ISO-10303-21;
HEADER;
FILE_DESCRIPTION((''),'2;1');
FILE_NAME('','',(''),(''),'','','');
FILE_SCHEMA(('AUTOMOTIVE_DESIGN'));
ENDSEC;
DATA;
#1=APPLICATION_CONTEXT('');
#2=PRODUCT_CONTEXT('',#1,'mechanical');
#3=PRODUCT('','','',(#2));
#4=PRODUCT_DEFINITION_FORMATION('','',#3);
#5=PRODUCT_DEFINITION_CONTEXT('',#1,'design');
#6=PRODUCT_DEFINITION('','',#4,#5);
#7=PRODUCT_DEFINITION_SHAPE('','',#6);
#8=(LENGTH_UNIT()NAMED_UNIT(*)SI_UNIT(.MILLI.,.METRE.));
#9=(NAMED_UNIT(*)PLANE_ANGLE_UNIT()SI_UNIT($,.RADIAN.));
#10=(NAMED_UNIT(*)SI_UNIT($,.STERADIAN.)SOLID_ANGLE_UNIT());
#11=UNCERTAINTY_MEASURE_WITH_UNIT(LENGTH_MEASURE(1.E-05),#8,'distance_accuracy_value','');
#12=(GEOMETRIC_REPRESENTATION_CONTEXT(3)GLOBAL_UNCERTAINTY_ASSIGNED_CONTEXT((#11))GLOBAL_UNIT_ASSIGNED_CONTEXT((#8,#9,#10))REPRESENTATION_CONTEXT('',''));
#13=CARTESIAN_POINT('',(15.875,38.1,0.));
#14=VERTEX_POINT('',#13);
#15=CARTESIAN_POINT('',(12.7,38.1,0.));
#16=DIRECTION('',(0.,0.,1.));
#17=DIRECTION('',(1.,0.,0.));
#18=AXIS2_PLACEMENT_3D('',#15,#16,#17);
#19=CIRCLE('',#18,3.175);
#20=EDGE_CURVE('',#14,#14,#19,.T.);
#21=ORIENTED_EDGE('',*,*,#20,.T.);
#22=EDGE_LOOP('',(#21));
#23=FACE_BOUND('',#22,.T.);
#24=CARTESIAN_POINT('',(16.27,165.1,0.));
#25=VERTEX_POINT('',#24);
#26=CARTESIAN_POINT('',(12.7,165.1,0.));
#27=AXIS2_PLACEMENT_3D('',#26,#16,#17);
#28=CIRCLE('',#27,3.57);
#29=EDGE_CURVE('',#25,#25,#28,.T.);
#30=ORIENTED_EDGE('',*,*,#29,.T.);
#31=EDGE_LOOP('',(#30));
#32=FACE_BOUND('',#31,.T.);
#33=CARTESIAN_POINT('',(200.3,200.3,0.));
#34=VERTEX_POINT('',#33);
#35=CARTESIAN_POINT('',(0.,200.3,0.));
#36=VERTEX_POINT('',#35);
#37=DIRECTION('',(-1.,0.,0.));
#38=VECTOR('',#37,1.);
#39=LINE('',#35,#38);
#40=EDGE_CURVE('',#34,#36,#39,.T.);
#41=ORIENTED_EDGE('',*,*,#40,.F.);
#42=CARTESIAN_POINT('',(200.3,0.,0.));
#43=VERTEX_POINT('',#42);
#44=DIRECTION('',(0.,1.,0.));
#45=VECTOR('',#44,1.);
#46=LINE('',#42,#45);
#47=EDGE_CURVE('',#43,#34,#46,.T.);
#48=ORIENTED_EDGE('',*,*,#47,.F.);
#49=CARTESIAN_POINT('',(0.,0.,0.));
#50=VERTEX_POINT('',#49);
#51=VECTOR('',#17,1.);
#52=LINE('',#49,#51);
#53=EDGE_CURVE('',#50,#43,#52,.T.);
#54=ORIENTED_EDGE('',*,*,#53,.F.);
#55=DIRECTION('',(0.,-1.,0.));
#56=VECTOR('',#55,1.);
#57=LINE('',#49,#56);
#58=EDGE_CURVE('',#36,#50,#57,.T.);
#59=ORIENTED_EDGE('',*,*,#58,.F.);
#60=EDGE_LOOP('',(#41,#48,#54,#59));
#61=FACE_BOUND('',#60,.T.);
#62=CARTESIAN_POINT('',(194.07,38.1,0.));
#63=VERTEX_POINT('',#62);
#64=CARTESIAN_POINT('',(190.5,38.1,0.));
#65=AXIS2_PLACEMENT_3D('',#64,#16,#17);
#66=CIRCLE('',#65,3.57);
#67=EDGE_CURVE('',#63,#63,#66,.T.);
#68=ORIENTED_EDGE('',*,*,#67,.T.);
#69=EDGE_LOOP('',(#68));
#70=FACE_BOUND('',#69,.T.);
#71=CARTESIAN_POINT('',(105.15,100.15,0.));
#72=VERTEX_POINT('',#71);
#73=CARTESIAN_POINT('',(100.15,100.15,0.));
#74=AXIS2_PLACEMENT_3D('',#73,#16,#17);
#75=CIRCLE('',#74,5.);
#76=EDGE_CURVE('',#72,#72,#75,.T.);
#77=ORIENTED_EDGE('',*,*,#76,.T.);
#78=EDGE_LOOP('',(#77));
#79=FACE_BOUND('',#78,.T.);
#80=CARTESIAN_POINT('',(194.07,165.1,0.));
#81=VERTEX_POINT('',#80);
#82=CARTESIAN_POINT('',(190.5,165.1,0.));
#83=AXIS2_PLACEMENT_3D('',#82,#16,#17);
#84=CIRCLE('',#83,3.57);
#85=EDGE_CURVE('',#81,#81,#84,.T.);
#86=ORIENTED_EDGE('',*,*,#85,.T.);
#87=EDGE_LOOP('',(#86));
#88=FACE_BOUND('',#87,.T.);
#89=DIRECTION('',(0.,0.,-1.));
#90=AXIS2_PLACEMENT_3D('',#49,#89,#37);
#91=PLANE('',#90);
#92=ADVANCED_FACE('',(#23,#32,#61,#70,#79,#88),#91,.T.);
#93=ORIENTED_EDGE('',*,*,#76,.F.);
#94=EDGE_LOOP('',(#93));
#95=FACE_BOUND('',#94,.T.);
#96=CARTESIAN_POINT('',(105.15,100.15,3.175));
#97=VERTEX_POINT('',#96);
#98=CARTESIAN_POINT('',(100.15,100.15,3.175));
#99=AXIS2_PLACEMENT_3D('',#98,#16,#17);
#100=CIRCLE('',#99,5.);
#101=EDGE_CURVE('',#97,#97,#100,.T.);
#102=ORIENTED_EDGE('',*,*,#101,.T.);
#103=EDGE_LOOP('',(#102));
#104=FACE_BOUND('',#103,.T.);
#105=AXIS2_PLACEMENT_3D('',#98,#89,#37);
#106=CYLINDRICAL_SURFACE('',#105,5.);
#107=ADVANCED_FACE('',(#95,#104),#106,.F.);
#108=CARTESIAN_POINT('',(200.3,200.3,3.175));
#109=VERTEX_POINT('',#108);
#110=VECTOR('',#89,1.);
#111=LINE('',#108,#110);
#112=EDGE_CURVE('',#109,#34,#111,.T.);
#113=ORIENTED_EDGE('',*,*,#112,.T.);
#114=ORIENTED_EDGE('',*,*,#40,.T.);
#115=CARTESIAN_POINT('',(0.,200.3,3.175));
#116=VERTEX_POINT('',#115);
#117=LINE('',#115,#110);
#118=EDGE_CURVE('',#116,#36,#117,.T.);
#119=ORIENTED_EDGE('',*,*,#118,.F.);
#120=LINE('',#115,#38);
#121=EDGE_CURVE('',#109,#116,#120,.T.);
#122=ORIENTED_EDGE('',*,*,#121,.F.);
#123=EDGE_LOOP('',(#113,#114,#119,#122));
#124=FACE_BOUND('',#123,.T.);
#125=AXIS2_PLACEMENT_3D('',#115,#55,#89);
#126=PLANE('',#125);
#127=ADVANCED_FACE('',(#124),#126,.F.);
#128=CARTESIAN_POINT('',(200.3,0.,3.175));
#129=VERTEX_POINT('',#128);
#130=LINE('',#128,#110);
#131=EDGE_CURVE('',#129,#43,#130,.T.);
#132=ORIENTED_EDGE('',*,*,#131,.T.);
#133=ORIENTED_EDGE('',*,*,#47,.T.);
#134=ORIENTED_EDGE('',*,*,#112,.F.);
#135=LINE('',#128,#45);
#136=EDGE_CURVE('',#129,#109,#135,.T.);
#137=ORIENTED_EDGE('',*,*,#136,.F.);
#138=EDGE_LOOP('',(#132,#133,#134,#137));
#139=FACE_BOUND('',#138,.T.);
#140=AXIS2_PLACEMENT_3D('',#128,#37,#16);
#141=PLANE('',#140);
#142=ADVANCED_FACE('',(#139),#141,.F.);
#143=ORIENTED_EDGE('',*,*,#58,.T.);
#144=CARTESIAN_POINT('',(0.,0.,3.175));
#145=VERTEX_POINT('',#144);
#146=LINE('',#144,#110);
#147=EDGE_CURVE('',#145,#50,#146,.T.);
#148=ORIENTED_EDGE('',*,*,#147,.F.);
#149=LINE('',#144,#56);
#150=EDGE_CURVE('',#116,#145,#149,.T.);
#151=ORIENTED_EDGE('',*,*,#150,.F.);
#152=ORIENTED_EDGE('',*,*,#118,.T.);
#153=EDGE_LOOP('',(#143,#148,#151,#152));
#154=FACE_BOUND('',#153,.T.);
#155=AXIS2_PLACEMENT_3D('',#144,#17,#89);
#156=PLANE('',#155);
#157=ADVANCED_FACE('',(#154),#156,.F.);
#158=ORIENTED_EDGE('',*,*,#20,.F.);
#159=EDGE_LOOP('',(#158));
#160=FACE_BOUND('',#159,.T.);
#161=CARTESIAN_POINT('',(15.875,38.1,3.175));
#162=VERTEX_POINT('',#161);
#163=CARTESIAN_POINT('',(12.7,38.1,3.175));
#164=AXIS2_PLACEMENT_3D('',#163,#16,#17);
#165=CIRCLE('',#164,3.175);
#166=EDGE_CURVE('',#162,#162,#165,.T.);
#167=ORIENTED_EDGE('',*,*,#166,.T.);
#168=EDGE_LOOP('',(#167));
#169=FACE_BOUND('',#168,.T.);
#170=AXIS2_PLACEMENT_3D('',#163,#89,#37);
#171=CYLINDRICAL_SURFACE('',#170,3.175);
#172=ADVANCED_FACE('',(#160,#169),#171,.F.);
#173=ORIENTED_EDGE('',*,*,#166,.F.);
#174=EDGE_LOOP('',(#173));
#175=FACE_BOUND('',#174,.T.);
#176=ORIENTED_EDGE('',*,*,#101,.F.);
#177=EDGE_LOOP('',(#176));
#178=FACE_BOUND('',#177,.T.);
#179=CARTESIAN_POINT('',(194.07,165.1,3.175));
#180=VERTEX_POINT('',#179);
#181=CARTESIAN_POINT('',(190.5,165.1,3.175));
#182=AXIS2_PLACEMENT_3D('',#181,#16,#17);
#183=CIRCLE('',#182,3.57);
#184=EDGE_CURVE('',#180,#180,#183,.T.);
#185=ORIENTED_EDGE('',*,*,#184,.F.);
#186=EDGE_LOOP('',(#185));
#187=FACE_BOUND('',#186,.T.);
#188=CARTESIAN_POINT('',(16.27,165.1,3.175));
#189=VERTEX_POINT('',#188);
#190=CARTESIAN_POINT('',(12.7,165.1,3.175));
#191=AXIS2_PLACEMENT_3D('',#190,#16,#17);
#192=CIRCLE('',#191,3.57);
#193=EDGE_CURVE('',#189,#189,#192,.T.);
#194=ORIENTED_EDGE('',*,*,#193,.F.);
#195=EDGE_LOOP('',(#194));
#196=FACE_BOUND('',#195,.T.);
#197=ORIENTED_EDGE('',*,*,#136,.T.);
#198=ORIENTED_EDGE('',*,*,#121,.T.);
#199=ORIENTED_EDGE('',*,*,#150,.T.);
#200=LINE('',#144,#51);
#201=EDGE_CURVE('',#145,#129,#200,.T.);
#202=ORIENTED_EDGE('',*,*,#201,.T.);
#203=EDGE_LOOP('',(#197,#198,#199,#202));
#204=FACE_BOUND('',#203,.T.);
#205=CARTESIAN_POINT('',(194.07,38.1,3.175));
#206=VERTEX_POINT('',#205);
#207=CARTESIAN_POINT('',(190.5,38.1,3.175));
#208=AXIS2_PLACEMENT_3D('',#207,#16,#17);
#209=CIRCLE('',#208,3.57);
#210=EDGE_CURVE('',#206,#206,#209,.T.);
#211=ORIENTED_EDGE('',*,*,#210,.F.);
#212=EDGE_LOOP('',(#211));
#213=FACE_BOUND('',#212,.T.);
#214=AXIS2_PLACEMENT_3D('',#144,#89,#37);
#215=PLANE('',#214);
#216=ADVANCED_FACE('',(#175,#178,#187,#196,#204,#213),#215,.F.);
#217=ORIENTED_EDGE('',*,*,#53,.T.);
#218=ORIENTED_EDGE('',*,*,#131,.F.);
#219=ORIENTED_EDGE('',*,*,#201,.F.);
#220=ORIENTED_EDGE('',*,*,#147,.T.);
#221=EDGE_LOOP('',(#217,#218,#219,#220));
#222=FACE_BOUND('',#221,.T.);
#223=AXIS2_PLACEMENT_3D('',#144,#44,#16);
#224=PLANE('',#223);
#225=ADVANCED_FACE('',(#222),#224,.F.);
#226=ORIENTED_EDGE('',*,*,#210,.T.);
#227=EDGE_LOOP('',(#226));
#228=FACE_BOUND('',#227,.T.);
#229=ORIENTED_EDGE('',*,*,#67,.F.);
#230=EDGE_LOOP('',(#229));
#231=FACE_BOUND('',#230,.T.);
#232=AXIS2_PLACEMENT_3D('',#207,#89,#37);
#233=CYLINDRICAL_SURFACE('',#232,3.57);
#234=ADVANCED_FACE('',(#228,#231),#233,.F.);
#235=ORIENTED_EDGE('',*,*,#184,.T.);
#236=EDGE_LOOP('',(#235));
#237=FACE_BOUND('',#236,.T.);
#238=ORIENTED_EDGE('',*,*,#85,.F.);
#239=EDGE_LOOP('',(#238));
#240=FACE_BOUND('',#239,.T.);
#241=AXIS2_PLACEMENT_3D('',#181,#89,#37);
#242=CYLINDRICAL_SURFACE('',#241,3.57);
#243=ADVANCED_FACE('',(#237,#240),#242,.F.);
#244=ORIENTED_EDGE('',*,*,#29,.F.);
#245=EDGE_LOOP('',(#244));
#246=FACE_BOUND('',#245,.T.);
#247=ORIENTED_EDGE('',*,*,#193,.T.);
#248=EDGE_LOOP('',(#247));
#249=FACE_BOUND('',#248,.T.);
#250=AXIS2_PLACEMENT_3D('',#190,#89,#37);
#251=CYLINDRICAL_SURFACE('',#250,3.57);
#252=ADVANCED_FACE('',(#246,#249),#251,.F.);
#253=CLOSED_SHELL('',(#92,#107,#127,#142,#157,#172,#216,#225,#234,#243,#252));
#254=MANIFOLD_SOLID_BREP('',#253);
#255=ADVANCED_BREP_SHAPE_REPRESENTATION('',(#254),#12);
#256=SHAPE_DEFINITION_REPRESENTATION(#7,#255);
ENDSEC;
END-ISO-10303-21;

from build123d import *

# Parameters (mm, degrees)
SKETCH1_W           = 200.3
SKETCH1_H           = 200.3
SKETCH1_R           = 3.175
SKETCH1_R_2         = 3.57
SKETCH1_R_3         = 5
BOSS_EXTRUDE1_DEPTH = 3.175


with BuildPart() as part:
    # Sketch1 → Boss-Extrude1 (new body)
    with BuildSketch(Plane.XY):
        with Locations((100.15, 100.15)):
            Rectangle(SKETCH1_W, SKETCH1_H)
        with Locations((12.7, 38.1)):
            Circle(SKETCH1_R, mode=Mode.SUBTRACT)
        with Locations((12.7, 165.1)):
            Circle(SKETCH1_R_2, mode=Mode.SUBTRACT)
        with Locations((190.5, 165.1)):
            Circle(SKETCH1_R_2, mode=Mode.SUBTRACT)
        with Locations((190.5, 38.1)):
            Circle(SKETCH1_R_2, mode=Mode.SUBTRACT)
        with Locations((100.15, 100.15)):
            Circle(SKETCH1_R_3, mode=Mode.SUBTRACT)
    extrude(amount=BOSS_EXTRUDE1_DEPTH)


solid = part.part
